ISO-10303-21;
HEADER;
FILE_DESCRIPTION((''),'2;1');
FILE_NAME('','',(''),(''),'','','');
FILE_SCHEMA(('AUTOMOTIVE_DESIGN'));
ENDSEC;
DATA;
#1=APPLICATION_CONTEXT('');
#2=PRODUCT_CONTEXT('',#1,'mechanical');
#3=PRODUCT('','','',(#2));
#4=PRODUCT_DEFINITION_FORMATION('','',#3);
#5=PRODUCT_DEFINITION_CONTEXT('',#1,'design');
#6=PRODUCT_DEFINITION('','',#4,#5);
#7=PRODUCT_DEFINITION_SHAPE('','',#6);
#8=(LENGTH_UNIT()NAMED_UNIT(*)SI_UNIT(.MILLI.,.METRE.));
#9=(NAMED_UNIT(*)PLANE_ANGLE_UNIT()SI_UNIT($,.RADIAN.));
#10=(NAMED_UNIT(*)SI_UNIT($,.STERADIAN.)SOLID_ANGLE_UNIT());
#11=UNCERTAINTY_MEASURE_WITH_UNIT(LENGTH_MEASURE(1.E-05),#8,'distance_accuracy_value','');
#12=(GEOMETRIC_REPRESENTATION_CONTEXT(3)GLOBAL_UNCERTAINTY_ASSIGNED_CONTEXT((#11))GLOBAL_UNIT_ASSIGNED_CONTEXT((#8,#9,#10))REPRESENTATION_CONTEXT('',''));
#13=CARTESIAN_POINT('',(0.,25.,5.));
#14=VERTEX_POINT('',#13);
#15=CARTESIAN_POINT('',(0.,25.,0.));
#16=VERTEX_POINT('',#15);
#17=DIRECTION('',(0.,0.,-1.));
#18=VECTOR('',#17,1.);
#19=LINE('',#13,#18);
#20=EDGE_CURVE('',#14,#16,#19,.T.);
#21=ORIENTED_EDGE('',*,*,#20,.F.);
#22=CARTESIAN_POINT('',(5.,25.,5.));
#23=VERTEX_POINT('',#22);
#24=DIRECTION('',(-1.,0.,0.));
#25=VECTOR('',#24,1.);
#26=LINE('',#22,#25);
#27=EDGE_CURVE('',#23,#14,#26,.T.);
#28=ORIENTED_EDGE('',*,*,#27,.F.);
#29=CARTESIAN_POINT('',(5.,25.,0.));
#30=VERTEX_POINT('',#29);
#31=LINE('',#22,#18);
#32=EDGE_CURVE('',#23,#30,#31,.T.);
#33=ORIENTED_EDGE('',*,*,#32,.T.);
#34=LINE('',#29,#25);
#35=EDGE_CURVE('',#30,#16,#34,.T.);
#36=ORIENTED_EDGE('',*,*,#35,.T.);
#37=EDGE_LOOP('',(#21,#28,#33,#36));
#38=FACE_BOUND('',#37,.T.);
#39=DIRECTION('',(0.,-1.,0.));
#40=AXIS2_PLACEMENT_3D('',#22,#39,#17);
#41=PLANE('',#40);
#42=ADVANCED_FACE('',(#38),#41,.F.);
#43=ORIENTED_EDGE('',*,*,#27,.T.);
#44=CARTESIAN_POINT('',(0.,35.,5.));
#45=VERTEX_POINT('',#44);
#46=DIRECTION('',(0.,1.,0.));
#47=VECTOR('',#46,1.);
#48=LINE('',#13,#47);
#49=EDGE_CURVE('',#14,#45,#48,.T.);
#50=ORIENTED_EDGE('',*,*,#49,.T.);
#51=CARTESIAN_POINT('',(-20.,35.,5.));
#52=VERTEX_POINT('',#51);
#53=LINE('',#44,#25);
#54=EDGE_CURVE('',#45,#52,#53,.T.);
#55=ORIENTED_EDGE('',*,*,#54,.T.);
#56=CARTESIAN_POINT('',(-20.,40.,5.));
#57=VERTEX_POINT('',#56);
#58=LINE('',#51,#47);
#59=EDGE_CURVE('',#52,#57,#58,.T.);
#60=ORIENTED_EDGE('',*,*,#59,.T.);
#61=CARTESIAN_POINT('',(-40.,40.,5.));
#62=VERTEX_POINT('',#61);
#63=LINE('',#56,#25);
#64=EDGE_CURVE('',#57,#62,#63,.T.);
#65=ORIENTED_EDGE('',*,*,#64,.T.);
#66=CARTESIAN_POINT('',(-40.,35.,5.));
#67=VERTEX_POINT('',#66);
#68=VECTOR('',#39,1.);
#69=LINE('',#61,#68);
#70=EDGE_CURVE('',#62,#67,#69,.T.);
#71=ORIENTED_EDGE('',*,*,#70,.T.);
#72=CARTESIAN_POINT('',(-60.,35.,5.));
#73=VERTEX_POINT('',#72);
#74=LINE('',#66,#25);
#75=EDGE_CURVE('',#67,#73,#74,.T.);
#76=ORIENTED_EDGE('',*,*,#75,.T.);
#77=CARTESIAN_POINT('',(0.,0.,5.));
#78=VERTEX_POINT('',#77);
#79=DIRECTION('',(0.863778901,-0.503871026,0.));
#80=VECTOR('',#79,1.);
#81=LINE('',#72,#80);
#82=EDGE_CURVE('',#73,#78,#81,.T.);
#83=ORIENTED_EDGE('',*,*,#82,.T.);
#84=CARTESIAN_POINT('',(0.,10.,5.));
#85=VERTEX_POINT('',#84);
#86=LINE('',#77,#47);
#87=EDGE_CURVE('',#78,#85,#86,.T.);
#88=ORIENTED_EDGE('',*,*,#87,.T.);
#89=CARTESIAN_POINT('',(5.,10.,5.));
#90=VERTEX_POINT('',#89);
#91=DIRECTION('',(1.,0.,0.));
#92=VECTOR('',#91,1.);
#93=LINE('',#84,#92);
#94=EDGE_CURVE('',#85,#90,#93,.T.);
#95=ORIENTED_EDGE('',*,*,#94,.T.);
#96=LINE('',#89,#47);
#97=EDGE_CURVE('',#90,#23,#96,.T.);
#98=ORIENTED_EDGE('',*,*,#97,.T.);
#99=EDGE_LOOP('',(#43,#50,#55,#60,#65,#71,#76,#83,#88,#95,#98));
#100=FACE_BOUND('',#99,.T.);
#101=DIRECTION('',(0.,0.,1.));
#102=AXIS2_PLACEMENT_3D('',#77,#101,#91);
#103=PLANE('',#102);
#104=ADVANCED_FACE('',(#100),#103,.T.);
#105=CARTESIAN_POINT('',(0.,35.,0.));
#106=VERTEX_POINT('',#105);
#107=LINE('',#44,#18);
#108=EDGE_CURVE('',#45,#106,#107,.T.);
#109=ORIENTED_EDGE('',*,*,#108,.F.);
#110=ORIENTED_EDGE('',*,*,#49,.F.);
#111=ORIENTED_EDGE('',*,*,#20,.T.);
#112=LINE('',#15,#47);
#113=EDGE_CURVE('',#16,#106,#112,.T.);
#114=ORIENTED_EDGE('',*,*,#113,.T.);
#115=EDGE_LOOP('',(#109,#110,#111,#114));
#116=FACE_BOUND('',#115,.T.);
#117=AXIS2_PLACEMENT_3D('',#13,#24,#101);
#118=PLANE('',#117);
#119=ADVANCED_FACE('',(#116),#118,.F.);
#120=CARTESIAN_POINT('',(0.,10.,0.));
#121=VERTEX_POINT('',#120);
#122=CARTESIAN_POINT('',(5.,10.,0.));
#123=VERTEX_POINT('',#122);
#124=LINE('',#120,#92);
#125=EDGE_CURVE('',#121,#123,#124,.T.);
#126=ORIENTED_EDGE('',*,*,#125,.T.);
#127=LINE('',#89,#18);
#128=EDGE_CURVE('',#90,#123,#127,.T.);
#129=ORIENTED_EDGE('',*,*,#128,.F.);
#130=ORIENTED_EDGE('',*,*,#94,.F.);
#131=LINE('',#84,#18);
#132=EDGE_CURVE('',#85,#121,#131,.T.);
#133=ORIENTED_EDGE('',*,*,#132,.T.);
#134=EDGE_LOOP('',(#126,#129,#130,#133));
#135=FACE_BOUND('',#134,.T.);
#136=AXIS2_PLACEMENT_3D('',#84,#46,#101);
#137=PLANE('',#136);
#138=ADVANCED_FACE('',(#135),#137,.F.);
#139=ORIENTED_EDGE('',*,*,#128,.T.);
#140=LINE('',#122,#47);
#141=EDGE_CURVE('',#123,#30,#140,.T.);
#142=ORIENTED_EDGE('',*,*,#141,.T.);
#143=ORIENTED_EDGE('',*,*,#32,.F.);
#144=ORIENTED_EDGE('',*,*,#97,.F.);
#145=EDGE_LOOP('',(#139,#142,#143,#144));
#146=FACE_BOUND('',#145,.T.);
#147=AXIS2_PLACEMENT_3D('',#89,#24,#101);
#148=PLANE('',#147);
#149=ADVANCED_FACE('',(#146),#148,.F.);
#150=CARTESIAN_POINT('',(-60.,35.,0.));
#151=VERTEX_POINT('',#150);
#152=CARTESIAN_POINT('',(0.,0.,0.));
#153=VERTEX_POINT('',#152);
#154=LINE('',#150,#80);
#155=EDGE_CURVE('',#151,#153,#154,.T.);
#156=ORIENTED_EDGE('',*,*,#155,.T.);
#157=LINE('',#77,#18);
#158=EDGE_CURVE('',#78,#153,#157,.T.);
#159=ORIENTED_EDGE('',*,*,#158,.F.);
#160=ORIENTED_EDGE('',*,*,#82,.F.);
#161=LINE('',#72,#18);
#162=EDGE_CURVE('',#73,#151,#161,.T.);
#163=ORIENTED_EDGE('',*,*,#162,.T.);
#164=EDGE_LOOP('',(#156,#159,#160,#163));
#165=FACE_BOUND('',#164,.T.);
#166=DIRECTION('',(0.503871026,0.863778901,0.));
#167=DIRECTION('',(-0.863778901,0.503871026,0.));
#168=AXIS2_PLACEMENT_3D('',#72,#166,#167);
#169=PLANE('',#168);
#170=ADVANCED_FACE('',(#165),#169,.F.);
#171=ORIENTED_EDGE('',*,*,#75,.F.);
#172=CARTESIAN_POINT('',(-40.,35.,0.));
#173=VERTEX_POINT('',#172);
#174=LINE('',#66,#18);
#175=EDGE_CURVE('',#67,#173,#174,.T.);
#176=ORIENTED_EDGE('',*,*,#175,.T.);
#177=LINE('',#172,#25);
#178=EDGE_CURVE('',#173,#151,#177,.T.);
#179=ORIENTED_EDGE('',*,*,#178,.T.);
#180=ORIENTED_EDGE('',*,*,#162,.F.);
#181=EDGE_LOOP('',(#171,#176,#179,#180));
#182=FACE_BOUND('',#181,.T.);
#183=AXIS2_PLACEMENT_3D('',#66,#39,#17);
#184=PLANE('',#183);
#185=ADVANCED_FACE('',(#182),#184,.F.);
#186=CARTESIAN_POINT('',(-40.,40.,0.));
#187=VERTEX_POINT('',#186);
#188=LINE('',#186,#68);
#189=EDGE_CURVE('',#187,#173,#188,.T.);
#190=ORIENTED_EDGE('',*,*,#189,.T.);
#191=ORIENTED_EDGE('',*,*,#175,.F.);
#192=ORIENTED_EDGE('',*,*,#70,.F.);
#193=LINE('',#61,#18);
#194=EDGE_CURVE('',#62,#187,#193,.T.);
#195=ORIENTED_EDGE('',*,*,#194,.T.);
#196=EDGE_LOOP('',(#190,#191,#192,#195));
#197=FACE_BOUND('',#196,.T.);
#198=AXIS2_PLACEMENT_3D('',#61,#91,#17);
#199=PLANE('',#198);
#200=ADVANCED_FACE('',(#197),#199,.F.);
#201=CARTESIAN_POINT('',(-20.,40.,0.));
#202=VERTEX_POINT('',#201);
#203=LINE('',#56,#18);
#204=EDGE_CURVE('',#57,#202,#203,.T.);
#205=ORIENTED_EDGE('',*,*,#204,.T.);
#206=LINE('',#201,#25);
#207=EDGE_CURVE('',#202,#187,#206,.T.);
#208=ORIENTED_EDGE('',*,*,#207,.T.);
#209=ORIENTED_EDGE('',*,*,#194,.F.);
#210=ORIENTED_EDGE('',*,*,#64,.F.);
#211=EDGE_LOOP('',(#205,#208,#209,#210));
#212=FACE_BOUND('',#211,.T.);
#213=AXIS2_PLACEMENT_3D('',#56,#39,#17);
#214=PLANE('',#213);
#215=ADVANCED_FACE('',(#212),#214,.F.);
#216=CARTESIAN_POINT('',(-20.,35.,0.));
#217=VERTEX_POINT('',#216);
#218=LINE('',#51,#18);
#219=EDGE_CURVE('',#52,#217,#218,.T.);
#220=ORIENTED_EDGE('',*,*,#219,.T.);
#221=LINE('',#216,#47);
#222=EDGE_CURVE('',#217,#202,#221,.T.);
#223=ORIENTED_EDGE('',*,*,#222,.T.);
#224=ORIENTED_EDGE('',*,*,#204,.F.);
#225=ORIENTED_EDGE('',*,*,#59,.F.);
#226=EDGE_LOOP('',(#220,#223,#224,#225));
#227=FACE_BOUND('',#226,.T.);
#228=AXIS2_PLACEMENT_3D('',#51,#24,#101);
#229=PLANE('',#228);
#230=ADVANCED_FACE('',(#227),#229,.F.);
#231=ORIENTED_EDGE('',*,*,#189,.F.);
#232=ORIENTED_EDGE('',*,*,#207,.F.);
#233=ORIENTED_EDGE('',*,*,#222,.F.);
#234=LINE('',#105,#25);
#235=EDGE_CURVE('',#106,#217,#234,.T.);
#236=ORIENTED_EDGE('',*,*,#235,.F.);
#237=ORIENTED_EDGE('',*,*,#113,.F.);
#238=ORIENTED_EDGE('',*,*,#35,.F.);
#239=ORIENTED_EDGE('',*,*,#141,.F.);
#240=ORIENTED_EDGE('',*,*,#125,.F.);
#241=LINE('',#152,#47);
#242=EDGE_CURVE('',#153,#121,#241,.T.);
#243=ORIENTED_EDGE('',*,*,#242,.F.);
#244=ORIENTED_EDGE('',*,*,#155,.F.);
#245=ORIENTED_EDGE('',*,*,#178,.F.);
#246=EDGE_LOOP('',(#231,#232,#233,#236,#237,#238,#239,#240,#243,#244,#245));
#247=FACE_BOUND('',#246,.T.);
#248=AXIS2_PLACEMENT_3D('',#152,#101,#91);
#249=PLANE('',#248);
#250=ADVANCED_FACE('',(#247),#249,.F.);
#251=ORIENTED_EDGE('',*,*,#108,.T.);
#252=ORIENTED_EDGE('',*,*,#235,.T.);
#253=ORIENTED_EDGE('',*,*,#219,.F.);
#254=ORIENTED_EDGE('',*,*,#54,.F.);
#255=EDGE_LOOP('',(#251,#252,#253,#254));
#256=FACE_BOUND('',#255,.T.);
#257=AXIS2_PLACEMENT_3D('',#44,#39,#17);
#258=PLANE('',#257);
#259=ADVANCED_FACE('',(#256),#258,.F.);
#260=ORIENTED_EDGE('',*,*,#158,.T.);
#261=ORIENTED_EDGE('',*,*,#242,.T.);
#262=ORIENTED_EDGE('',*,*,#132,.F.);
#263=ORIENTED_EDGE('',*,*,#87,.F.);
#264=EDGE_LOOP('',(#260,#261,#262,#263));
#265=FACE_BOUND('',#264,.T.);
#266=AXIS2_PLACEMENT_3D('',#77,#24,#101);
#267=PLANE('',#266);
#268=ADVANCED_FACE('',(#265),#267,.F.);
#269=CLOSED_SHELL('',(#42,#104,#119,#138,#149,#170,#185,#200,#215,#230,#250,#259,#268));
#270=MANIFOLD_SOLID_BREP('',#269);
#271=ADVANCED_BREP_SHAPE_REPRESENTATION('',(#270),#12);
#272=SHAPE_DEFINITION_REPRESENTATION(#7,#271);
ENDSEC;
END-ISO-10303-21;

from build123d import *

# Parameters (mm, degrees)
EXTRUDE_1_DEPTH = 5


with BuildPart() as part:
    # 草图1 → 凸台-拉伸1 (new body)
    with BuildSketch(Plane.XY):
        Polygon((0, 0), (0, 10), (5, 10), (5, 25), (0, 25), (0, 35), (-20, 35), (-20, 40), (-40, 40), (-40, 35), (-60, 35), align=None)
    extrude(amount=EXTRUDE_1_DEPTH)


solid = part.part
